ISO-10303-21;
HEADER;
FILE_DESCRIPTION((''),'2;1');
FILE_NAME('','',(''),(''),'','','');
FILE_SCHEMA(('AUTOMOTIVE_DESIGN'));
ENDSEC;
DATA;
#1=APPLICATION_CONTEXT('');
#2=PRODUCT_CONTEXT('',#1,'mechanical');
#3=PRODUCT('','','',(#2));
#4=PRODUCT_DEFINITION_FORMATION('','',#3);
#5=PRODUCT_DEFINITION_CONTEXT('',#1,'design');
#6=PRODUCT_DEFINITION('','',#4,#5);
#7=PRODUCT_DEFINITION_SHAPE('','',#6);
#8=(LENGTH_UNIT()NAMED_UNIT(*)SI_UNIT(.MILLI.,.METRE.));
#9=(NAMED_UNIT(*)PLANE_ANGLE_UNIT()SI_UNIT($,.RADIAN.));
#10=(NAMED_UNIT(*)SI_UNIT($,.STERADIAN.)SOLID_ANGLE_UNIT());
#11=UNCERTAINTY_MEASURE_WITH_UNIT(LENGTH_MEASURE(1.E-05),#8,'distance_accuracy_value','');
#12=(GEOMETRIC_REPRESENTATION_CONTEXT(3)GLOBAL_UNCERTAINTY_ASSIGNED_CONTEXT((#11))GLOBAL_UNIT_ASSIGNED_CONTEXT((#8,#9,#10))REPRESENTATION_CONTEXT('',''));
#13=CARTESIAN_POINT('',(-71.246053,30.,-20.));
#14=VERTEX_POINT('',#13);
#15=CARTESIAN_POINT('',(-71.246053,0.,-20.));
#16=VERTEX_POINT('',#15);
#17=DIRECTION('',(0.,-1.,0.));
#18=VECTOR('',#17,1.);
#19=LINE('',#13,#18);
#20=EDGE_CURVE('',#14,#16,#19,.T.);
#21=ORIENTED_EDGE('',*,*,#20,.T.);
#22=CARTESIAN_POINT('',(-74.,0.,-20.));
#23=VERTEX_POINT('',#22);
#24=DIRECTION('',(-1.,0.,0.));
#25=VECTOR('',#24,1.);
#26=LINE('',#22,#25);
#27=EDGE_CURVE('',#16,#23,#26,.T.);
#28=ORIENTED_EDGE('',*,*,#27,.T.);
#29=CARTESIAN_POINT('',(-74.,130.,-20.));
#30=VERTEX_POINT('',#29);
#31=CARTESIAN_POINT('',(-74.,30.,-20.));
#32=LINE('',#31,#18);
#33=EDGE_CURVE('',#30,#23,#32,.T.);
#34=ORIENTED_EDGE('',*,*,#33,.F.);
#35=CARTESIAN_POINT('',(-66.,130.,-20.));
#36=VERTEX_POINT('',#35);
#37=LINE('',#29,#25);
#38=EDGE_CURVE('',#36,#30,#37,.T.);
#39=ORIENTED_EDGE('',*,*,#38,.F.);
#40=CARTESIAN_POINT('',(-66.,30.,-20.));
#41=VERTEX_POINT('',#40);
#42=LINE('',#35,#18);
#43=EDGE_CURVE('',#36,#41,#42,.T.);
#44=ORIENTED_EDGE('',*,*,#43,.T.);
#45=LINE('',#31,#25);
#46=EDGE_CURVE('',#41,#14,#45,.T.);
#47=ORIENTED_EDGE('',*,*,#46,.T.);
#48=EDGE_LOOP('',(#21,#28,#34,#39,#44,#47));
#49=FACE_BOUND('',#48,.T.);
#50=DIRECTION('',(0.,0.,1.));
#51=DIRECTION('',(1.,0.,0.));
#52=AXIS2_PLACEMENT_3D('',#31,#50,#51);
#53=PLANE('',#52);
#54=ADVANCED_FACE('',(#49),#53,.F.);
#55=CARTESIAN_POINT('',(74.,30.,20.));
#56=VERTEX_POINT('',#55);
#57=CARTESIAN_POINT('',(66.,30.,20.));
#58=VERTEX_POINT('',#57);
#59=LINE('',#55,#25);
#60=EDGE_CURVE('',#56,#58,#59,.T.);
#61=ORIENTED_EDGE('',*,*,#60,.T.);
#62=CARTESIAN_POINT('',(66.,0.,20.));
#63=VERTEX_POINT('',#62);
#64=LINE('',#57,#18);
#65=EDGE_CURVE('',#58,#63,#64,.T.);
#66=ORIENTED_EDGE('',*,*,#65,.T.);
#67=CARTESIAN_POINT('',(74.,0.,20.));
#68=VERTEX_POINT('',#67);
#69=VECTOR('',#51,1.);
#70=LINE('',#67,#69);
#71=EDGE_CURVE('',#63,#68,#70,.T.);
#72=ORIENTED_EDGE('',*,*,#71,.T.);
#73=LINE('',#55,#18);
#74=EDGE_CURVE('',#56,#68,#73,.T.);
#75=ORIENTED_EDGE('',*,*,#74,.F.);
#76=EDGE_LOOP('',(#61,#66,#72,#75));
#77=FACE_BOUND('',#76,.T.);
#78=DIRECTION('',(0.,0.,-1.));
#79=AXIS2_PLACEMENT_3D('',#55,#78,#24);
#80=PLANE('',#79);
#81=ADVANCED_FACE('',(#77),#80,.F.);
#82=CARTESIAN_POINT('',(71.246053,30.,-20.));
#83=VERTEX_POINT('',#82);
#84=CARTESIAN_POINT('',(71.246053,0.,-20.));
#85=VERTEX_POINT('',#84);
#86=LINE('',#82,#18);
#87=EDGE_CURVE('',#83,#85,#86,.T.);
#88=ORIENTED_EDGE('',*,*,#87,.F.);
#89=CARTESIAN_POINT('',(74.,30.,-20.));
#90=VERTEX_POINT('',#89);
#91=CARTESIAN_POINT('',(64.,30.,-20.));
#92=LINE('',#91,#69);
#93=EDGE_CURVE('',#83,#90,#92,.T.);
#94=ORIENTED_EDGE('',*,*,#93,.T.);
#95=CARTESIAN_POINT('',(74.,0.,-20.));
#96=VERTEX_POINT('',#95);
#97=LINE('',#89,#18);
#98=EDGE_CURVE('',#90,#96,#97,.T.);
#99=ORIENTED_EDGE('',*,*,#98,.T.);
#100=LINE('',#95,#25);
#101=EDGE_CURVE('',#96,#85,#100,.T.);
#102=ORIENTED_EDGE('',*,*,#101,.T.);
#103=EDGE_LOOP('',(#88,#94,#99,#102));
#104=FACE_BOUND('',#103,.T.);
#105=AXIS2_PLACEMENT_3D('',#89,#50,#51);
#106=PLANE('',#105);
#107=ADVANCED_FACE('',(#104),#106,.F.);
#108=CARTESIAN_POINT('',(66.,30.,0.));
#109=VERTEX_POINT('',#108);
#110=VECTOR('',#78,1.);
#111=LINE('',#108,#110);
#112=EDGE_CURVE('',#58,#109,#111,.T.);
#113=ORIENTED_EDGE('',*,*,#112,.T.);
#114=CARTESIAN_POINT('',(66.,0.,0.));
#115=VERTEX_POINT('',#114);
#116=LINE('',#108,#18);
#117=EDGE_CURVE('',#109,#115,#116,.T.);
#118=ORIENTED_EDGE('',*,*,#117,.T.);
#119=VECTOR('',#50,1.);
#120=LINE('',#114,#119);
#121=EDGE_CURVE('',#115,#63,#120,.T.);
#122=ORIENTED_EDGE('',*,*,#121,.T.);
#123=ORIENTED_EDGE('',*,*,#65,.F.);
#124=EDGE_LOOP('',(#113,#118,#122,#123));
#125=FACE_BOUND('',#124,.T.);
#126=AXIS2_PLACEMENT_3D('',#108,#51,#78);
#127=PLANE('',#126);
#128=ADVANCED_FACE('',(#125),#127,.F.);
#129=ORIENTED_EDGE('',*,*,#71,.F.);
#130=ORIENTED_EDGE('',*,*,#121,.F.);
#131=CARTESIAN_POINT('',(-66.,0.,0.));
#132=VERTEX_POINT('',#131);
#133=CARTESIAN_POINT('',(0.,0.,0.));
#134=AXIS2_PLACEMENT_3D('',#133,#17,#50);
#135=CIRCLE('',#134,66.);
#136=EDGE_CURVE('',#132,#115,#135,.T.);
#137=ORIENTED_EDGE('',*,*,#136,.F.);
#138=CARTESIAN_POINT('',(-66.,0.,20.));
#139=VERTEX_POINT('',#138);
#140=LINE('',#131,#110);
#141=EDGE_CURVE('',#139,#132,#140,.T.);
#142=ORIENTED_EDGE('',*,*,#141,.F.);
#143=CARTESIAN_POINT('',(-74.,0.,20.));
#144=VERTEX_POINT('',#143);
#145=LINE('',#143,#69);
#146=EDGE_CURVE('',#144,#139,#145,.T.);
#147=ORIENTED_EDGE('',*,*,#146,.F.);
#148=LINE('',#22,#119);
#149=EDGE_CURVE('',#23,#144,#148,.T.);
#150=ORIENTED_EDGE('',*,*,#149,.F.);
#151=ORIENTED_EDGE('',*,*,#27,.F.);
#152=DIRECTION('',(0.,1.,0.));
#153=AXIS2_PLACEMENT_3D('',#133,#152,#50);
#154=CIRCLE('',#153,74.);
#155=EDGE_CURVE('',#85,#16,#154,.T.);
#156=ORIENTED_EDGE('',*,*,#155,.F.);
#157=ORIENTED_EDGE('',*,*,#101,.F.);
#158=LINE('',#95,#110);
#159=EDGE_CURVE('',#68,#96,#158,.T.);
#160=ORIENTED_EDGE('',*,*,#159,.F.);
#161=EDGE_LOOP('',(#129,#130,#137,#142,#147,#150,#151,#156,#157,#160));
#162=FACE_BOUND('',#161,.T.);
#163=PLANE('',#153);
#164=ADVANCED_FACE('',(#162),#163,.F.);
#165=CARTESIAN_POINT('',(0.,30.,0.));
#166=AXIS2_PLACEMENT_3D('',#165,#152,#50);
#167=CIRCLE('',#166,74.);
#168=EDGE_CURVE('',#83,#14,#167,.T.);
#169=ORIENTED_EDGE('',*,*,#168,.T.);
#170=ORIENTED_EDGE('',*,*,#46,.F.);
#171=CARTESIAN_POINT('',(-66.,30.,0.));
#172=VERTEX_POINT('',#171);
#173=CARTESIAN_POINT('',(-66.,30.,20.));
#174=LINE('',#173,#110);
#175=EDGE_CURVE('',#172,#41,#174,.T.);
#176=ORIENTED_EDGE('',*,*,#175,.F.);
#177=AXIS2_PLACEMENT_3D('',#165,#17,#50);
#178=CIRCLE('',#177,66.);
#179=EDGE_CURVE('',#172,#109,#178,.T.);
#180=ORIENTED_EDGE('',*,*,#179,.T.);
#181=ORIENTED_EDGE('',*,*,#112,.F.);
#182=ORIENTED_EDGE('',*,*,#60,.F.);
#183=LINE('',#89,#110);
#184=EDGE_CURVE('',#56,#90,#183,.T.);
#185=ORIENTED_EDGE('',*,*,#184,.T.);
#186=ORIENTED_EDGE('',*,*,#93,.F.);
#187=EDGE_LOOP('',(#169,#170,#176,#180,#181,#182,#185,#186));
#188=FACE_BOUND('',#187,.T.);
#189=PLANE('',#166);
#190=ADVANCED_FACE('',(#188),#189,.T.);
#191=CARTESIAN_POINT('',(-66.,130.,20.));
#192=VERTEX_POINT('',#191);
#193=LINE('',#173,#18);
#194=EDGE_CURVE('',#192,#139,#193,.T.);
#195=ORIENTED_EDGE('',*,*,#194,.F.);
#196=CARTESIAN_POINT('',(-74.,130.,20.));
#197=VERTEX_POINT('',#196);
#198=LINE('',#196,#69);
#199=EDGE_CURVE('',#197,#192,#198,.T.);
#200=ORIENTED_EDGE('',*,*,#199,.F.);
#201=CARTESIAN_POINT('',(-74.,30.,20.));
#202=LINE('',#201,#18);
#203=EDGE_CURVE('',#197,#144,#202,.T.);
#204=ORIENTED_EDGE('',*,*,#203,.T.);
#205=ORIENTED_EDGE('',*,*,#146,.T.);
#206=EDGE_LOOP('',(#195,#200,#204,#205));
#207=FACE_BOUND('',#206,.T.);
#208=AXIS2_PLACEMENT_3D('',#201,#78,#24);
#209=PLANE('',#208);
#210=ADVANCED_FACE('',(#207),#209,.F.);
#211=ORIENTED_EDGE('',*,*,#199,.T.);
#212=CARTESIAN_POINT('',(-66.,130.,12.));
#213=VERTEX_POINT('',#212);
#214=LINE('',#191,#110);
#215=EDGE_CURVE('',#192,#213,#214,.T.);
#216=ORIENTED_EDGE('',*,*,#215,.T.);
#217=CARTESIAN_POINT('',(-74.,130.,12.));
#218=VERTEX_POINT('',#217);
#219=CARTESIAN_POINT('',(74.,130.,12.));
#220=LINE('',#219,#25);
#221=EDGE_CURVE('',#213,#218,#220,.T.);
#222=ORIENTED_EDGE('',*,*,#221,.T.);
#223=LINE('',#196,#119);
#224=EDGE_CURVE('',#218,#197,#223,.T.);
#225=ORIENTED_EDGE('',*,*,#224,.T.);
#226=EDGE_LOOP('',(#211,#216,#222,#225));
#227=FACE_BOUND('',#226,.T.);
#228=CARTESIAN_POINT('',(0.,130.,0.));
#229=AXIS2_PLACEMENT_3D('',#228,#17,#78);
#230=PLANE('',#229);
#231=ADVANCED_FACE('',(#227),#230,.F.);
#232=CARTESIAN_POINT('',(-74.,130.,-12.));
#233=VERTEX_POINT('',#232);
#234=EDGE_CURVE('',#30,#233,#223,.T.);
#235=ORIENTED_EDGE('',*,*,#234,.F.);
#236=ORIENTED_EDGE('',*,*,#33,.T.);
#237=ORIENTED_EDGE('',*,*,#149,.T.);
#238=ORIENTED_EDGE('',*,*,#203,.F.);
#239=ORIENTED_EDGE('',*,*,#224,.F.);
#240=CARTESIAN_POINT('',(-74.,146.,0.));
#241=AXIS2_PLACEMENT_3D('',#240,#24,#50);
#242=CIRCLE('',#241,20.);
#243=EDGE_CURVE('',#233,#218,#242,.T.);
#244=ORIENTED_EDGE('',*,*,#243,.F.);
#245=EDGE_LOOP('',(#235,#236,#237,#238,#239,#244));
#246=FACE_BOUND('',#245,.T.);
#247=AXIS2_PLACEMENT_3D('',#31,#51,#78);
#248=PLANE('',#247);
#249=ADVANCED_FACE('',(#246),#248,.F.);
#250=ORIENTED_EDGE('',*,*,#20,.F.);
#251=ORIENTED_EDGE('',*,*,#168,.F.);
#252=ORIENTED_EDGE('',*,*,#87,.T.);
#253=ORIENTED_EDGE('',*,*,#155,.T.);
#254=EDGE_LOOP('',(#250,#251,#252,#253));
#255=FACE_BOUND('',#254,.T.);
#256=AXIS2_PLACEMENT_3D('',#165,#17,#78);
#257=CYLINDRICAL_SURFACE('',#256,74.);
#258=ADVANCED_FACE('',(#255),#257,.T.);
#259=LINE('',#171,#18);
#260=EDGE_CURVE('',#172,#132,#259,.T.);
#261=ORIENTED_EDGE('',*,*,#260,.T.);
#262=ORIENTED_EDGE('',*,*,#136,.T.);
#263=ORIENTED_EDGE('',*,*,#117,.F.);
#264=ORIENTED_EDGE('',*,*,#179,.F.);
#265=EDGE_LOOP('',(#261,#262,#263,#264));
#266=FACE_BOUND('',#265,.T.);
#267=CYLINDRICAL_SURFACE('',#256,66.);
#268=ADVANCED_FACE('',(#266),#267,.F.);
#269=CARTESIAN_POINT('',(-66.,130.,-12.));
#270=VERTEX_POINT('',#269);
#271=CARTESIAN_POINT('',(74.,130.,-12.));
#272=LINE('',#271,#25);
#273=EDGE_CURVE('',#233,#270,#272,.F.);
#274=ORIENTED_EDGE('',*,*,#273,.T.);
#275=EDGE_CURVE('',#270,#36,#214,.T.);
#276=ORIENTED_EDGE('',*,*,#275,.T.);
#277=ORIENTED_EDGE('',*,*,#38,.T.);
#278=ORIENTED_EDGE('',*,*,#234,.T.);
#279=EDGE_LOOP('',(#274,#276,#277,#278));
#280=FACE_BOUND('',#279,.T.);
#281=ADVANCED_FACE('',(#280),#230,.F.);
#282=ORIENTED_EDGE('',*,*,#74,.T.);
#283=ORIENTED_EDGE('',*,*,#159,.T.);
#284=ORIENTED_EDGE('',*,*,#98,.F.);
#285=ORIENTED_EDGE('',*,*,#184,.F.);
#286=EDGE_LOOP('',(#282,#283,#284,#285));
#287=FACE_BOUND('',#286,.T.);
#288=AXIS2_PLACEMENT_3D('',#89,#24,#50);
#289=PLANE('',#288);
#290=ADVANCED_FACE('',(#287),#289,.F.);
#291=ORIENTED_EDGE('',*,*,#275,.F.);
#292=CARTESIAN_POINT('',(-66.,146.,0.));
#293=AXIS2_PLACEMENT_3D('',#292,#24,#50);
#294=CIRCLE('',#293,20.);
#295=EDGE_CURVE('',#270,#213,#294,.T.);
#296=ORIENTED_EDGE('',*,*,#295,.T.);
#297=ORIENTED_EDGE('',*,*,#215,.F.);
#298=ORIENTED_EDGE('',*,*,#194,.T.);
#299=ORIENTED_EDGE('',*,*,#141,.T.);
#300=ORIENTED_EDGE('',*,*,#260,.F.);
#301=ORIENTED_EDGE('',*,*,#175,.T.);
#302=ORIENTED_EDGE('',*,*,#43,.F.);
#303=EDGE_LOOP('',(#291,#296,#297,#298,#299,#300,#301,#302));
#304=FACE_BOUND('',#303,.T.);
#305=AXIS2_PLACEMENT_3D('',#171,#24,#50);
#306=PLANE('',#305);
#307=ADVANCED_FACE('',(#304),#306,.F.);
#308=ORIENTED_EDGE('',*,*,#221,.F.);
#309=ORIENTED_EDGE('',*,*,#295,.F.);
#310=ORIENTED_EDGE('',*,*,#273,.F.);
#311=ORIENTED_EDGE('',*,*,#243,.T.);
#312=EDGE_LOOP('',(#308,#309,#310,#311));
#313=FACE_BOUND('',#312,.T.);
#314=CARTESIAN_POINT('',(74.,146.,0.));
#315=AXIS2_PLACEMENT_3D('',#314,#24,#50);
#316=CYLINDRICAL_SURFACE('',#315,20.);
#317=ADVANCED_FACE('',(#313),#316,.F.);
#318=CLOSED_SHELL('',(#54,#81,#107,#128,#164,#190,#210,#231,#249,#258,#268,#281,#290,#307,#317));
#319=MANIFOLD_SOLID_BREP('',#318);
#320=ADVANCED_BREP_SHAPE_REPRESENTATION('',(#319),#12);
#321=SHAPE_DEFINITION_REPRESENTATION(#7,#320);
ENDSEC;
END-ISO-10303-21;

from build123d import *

# Parameters (mm, degrees)
EXTRUDE_1_DEPTH     = 30
SKETCH_2_W          = 8
SKETCH_2_H          = 40
EXTRUDE_2_DEPTH     = 100
SKETCH_3_R          = 20
CUT_EXTRUDE_1_DEPTH = 211.428135001
SKETCH_5_W          = 87.00766185
SKETCH_5_H          = 105.192301749
CUT_EXTRUDE_2_DEPTH = 10


with BuildPart() as part:
    # 草图1 → 凸台-拉伸1 (new body)
    with BuildSketch(Plane(origin=(0, 0, 0), x_dir=(1, 0, 0), z_dir=(0, 1, 0))):
        with BuildLine():
            Line((-74, 20), (-71.246052522, 20))
            ThreePointArc((-71.246052522, 20), (0, 74), (71.246052522, 20))
            Line((71.246052522, 20), (74, 20))
            Line((74, 20), (74, -20))
            Line((74, -20), (66, -20))
            Line((66, -20), (66, 0))
            ThreePointArc((66, 0), (0, 66), (-66, 0))
            Line((-66, 0), (-66, -20))
            Line((-66, -20), (-74, -20))
            Line((-74, -20), (-74, 20))
        make_face()
    extrude(amount=EXTRUDE_1_DEPTH)

    # 草图2 → 凸台-拉伸2 (add)
    with BuildSketch(Plane(origin=(0, 30, 0), x_dir=(1, 0, 0), z_dir=(0, 1, 0))):
        with Locations((-70, 0)):
            Rectangle(SKETCH_2_W, SKETCH_2_H)
        with Locations((70, 0)):
            Rectangle(SKETCH_2_W, SKETCH_2_H)
    extrude(amount=EXTRUDE_2_DEPTH)

    # 草图3 → 切除-拉伸1 (cut, through all)
    with BuildSketch(Plane.ZY.offset(74)):
        with Locations((0, 146)):
            Circle(SKETCH_3_R)
    extrude(amount=-CUT_EXTRUDE_1_DEPTH, mode=Mode.SUBTRACT)

    # 草图5 → 切除-拉伸2 (cut)
    with BuildSketch(Plane(origin=(74, 0, 0), x_dir=(0, 0, -1), z_dir=(1, 0, 0))):
        with Locations((-23.503830925, 82.596150874)):
            Rectangle(SKETCH_5_W, SKETCH_5_H)
    extrude(amount=-CUT_EXTRUDE_2_DEPTH, mode=Mode.SUBTRACT)


solid = part.part
